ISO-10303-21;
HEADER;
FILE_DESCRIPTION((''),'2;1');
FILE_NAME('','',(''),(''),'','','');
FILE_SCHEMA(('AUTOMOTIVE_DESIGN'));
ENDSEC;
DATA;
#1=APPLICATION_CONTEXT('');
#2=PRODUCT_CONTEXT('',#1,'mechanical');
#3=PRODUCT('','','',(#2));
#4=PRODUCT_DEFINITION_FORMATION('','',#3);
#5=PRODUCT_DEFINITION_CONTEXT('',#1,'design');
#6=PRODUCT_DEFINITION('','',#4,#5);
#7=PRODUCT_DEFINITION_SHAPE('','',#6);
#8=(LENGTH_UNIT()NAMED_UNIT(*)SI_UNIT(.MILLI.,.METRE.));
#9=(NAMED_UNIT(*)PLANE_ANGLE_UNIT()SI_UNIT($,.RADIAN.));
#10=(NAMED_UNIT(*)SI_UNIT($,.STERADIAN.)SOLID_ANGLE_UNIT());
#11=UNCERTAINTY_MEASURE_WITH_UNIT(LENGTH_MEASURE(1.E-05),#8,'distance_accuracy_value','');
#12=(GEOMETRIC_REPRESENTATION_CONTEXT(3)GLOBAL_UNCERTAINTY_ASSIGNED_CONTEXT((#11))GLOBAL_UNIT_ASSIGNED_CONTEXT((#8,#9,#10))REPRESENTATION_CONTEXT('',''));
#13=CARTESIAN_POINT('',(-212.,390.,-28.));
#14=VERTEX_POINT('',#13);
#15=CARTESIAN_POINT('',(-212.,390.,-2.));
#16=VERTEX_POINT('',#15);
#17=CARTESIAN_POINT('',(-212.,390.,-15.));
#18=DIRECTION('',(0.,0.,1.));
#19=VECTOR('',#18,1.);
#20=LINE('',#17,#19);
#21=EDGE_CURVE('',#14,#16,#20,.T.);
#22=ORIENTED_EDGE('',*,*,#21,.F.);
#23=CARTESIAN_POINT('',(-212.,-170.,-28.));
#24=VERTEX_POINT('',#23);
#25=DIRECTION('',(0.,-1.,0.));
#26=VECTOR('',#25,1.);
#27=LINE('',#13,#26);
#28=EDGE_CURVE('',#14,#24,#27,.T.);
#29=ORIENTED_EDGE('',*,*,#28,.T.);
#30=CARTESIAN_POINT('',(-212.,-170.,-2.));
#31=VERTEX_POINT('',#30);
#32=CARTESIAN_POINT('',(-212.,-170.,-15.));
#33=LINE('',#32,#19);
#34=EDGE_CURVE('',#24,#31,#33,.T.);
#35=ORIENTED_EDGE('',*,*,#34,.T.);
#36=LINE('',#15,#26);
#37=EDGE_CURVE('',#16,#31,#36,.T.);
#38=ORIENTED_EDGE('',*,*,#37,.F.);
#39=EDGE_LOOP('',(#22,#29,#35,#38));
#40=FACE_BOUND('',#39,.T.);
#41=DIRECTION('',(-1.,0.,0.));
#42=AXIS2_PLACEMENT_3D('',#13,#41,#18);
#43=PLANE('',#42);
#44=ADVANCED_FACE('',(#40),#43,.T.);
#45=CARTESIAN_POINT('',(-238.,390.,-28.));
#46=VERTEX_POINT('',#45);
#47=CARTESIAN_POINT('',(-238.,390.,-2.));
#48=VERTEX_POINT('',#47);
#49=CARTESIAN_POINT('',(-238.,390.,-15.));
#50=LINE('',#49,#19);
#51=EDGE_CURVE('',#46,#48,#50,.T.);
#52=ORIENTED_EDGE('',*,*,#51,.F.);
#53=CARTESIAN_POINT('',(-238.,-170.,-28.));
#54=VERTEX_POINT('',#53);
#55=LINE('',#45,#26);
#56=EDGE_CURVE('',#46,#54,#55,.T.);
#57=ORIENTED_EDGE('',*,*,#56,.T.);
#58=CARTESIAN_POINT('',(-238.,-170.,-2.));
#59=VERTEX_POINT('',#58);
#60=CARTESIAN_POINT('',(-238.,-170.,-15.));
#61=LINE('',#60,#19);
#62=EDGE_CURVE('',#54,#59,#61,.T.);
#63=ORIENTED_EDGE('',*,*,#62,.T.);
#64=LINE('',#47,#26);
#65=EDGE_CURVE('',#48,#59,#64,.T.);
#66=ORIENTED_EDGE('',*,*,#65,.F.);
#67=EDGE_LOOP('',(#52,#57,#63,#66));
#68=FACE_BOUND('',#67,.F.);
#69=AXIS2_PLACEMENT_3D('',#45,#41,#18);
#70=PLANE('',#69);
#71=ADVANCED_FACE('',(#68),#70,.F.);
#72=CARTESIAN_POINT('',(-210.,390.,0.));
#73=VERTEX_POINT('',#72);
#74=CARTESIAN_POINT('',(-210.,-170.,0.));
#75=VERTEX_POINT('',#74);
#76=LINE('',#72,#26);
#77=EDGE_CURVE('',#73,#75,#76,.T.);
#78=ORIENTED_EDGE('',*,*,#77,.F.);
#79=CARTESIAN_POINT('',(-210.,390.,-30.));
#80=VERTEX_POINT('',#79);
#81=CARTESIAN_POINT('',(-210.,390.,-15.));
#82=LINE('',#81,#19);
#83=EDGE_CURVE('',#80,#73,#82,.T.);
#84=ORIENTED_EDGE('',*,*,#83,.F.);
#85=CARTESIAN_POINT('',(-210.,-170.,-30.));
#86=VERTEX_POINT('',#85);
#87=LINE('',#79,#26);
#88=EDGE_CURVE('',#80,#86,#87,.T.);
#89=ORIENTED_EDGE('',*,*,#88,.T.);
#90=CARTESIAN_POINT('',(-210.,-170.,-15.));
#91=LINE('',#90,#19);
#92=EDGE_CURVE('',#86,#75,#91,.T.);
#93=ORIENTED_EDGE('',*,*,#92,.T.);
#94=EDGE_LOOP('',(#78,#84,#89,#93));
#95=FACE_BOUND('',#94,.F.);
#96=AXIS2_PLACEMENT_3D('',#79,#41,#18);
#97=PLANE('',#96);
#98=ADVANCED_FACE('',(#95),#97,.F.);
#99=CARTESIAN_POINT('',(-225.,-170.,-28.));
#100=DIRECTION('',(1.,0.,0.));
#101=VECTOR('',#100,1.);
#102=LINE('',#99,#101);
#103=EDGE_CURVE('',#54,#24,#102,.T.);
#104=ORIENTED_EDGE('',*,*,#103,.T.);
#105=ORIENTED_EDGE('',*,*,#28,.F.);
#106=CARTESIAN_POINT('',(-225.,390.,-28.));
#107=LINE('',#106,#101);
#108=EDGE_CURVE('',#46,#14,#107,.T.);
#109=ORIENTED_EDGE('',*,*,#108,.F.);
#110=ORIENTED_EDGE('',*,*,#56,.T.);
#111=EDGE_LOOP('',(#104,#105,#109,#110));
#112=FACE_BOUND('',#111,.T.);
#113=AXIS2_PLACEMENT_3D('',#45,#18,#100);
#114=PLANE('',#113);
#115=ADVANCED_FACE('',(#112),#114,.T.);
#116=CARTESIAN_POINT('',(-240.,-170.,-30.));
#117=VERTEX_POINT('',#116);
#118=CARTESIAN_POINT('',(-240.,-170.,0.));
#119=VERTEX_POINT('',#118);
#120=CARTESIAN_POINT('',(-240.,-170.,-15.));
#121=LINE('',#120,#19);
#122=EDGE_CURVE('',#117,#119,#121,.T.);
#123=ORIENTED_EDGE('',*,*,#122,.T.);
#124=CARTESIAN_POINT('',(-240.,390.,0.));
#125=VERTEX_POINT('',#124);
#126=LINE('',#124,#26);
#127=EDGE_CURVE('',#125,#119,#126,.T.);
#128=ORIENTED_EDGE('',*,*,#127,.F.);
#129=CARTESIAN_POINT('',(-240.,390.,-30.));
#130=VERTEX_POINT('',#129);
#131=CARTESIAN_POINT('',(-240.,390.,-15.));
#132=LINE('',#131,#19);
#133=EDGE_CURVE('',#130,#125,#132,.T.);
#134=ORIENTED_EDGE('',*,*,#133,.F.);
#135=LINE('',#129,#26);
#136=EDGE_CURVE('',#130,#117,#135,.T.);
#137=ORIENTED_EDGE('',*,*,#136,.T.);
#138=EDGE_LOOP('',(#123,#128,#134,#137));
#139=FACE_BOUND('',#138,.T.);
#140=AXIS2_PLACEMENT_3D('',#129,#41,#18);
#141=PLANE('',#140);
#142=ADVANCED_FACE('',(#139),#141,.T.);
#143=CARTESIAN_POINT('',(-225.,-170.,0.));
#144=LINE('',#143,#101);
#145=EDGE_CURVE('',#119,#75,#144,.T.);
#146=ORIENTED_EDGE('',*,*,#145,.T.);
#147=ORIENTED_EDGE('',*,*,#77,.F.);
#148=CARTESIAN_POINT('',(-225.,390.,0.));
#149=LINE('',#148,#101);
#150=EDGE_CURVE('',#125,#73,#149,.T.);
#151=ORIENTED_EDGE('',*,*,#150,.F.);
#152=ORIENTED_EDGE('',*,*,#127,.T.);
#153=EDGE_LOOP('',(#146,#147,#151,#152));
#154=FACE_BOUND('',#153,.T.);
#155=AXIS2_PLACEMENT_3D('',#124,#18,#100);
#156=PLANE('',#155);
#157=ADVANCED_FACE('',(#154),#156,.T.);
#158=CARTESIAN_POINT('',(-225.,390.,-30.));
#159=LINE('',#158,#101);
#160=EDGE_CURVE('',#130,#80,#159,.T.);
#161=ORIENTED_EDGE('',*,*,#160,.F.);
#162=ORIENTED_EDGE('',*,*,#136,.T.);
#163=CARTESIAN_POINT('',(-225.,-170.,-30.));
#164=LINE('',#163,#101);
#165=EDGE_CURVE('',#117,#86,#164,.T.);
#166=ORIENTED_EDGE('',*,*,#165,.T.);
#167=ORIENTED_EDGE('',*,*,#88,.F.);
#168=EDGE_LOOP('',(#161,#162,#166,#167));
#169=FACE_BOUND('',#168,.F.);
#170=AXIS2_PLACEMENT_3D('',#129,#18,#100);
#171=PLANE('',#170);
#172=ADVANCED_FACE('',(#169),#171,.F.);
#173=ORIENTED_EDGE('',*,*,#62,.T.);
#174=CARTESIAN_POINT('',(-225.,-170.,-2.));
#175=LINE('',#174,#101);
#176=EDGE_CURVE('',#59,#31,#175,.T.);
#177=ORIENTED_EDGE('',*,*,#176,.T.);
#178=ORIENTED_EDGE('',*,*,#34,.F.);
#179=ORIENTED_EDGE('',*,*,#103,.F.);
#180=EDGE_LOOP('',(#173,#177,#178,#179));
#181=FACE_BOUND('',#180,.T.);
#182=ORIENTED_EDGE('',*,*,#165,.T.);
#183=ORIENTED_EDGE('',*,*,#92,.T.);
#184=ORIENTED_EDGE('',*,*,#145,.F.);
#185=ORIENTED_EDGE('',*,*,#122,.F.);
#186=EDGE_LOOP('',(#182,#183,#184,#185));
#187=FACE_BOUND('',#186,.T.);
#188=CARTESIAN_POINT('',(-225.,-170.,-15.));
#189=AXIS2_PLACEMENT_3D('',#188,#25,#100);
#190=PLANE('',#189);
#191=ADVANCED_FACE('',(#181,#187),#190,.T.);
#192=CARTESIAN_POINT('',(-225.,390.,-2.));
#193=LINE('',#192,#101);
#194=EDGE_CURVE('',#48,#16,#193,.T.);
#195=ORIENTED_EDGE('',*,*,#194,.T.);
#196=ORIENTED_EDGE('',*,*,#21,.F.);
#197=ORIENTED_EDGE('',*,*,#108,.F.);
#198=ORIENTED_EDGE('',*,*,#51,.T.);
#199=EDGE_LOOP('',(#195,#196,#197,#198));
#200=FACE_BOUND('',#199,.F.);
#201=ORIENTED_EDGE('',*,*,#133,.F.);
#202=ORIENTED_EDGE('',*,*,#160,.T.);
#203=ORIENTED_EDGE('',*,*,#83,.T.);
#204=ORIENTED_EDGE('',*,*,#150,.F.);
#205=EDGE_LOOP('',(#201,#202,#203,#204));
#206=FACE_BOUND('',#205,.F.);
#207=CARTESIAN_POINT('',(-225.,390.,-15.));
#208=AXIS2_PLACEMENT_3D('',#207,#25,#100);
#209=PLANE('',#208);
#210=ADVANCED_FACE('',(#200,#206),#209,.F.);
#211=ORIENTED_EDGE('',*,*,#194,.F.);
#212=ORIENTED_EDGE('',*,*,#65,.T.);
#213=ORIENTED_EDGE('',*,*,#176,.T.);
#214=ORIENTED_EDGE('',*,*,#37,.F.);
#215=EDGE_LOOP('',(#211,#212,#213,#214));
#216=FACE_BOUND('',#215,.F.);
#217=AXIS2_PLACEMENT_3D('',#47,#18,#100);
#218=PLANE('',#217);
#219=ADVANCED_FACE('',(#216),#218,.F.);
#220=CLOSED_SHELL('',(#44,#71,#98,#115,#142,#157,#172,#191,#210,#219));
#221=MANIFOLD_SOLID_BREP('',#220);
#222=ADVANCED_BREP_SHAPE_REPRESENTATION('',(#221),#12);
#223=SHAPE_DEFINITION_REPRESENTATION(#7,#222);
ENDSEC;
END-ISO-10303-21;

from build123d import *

# Parameters (mm, degrees)
SKETCH001_W   = 30
SKETCH001_H   = 30
SKETCH001_W_2 = 26
SKETCH001_H_2 = 26
PAD001_DEPTH  = 560


with BuildPart() as part:
    # Sketch001 → Pad001 (new body)
    with BuildSketch(Plane.XZ):
        with Locations((15, -15)):
            Rectangle(SKETCH001_W, SKETCH001_H)
        with Locations((15, -15)):
            Rectangle(SKETCH001_W_2, SKETCH001_H_2, mode=Mode.SUBTRACT)
    extrude(amount=PAD001_DEPTH)


with BuildPart() as part_1:
    # Body001 placement: moved
    add(part.part.moved(Location((-240, 390, 0))))


solid = part_1.part
